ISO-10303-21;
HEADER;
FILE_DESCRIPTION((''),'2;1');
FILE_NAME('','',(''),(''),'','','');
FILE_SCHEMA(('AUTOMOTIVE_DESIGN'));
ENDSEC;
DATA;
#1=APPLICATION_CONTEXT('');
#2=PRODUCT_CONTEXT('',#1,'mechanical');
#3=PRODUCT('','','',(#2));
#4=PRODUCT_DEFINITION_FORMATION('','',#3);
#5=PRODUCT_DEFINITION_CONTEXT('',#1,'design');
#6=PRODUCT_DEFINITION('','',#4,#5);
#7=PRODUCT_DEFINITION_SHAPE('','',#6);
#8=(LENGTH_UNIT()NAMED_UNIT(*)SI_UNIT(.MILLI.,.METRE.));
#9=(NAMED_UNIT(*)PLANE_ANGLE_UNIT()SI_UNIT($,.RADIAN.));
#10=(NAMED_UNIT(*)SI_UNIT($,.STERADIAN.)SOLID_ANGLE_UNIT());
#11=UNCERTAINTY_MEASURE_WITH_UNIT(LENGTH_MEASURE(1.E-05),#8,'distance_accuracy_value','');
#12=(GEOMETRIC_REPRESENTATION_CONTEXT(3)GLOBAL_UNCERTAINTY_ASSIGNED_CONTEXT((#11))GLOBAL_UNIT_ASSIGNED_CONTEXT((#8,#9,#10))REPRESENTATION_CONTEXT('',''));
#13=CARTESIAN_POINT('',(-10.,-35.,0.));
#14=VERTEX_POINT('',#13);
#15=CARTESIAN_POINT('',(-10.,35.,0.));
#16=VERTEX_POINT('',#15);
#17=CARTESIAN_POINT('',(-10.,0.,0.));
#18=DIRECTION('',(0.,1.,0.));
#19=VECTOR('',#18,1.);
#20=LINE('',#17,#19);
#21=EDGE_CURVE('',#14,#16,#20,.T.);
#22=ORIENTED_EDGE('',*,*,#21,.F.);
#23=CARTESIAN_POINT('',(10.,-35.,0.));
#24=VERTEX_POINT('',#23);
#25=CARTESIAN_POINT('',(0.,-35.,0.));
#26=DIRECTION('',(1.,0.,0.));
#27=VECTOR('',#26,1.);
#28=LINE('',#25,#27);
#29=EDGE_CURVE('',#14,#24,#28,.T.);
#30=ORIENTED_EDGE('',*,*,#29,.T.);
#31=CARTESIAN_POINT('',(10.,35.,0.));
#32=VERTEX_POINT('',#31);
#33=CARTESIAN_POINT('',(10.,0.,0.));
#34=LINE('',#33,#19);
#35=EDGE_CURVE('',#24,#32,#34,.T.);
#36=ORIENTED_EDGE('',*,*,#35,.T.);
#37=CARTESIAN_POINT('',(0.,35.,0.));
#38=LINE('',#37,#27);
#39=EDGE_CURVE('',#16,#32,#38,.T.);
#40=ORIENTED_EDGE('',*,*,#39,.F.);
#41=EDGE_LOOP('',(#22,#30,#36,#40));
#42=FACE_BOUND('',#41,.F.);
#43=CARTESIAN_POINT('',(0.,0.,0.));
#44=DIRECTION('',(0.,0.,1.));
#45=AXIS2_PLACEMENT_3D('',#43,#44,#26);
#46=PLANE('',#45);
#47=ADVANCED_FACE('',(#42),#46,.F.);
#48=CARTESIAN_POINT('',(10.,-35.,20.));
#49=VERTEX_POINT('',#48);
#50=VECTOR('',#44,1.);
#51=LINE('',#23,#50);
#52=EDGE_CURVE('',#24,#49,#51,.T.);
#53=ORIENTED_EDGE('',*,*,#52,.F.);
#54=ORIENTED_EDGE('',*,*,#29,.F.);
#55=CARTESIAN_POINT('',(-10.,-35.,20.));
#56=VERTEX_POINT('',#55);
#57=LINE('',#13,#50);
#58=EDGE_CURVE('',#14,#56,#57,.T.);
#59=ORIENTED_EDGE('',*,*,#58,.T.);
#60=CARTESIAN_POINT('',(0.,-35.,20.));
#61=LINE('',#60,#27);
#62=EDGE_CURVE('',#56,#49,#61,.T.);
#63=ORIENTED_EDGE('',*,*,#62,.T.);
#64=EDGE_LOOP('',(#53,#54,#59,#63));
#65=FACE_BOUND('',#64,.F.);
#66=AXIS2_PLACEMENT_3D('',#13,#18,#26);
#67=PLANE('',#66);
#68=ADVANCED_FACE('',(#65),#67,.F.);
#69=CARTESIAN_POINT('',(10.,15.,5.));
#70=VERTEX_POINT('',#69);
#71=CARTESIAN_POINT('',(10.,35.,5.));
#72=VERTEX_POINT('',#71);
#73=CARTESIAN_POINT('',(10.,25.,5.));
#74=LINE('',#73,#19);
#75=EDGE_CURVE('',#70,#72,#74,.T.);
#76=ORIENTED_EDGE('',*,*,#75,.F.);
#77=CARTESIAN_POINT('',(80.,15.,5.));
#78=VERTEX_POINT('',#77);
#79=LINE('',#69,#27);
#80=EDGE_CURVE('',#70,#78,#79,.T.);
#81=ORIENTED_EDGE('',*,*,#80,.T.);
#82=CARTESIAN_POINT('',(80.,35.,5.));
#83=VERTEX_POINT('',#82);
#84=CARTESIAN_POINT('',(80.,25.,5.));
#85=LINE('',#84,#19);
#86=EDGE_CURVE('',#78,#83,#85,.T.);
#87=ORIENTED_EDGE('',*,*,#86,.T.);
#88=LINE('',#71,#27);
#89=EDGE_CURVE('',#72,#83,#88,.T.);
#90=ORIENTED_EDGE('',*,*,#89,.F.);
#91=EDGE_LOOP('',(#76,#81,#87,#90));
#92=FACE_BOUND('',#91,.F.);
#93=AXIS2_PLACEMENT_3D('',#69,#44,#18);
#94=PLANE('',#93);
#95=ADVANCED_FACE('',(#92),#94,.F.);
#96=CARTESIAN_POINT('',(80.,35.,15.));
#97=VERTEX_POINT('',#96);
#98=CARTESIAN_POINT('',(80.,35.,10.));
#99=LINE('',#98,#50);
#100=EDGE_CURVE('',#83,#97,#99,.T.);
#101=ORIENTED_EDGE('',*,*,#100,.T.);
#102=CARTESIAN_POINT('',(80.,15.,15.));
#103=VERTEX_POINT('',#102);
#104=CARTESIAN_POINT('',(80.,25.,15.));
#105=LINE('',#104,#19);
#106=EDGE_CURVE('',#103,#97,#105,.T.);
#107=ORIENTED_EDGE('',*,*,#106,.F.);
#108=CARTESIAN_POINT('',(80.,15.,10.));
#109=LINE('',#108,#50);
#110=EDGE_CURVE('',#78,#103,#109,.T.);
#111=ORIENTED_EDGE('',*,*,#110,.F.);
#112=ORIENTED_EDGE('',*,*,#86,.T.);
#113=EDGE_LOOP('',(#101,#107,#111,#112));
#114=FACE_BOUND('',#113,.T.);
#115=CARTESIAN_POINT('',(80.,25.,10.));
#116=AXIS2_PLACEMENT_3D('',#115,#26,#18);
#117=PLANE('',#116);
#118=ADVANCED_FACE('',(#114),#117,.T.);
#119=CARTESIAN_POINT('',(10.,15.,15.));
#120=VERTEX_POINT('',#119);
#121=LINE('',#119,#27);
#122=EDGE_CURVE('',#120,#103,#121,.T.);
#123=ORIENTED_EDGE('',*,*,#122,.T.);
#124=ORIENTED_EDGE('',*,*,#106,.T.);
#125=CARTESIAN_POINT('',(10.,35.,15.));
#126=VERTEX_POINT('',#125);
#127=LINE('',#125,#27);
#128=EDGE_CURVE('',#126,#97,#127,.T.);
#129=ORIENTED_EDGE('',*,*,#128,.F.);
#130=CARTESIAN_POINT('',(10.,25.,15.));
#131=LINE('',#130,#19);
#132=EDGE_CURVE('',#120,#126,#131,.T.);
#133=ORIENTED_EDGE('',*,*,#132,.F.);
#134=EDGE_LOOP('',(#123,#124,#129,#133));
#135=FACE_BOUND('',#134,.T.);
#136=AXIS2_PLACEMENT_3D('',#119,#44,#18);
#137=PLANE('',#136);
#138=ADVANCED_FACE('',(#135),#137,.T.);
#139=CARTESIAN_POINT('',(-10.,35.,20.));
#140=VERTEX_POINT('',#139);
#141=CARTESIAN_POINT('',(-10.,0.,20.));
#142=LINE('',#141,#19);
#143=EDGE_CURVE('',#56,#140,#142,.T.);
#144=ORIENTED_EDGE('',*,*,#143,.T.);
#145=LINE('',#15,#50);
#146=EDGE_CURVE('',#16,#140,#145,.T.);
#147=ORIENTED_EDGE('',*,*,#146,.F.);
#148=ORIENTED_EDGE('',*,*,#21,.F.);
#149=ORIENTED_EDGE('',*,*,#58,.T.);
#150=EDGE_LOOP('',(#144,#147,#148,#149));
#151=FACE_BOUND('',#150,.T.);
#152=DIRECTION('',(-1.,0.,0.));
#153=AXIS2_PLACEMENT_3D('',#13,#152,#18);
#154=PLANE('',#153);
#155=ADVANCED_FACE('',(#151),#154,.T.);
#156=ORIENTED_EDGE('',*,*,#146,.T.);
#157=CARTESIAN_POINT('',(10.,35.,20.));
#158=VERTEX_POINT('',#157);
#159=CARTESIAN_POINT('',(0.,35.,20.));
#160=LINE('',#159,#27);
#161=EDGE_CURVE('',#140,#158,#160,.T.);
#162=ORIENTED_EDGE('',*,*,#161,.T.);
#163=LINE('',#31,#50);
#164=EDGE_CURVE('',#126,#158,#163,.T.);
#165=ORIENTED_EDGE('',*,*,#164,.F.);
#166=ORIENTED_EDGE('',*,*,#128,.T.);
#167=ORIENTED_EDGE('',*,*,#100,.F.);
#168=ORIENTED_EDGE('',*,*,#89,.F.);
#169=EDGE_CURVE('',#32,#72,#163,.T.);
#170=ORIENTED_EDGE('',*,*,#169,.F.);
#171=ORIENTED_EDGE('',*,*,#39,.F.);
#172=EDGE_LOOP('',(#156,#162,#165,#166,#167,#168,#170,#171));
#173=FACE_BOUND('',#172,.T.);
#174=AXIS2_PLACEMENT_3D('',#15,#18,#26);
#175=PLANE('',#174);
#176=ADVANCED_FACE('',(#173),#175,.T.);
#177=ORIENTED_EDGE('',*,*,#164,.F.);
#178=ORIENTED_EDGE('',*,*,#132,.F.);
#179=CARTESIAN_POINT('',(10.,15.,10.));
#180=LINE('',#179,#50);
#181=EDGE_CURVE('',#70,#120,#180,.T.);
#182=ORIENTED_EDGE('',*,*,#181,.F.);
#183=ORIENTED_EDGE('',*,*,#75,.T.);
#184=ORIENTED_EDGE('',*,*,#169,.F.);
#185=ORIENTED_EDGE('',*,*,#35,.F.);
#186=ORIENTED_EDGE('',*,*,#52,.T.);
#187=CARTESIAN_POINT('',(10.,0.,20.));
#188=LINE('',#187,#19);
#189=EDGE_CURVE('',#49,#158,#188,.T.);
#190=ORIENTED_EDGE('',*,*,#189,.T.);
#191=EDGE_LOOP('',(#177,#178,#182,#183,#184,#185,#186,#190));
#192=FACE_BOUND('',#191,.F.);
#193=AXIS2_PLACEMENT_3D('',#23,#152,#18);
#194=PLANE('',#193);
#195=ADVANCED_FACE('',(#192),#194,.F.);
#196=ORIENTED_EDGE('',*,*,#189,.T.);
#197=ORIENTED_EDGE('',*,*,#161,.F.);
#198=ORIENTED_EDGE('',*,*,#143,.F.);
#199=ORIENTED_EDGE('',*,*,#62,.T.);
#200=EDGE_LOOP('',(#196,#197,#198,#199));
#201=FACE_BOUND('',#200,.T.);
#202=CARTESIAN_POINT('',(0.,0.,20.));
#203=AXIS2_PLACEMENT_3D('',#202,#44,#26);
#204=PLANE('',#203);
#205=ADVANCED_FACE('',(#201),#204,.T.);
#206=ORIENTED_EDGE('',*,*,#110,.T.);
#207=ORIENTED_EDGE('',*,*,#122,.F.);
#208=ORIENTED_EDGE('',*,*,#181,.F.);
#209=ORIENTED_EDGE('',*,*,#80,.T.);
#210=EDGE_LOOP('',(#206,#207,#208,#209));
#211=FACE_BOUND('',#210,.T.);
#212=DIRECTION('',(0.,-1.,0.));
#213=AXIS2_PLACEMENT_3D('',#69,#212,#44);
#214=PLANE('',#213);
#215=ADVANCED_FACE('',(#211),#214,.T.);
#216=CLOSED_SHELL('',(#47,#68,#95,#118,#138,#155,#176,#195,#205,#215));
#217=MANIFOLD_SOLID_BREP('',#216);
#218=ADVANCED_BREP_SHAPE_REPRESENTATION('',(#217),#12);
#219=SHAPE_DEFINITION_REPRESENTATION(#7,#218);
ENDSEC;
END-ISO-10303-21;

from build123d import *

# Parameters (mm, degrees)
F0_W     = 20
F0_H     = 70
F1_DEPTH = 20
F2_W     = 20
F2_H     = 10
F3_DEPTH = 70


with BuildPart() as f1:
    # F0 (on Top) → F1 (new body)
    with BuildSketch(Plane.XY):
        Rectangle(F0_W, F0_H)
    extrude(amount=F1_DEPTH)

    # F2 (on face) → F3 (join)
    with BuildSketch(Plane.YZ.offset(10)):
        with Locations((25, 10)):
            Rectangle(F2_W, F2_H)
    extrude(amount=F3_DEPTH)


solid = f1.part
